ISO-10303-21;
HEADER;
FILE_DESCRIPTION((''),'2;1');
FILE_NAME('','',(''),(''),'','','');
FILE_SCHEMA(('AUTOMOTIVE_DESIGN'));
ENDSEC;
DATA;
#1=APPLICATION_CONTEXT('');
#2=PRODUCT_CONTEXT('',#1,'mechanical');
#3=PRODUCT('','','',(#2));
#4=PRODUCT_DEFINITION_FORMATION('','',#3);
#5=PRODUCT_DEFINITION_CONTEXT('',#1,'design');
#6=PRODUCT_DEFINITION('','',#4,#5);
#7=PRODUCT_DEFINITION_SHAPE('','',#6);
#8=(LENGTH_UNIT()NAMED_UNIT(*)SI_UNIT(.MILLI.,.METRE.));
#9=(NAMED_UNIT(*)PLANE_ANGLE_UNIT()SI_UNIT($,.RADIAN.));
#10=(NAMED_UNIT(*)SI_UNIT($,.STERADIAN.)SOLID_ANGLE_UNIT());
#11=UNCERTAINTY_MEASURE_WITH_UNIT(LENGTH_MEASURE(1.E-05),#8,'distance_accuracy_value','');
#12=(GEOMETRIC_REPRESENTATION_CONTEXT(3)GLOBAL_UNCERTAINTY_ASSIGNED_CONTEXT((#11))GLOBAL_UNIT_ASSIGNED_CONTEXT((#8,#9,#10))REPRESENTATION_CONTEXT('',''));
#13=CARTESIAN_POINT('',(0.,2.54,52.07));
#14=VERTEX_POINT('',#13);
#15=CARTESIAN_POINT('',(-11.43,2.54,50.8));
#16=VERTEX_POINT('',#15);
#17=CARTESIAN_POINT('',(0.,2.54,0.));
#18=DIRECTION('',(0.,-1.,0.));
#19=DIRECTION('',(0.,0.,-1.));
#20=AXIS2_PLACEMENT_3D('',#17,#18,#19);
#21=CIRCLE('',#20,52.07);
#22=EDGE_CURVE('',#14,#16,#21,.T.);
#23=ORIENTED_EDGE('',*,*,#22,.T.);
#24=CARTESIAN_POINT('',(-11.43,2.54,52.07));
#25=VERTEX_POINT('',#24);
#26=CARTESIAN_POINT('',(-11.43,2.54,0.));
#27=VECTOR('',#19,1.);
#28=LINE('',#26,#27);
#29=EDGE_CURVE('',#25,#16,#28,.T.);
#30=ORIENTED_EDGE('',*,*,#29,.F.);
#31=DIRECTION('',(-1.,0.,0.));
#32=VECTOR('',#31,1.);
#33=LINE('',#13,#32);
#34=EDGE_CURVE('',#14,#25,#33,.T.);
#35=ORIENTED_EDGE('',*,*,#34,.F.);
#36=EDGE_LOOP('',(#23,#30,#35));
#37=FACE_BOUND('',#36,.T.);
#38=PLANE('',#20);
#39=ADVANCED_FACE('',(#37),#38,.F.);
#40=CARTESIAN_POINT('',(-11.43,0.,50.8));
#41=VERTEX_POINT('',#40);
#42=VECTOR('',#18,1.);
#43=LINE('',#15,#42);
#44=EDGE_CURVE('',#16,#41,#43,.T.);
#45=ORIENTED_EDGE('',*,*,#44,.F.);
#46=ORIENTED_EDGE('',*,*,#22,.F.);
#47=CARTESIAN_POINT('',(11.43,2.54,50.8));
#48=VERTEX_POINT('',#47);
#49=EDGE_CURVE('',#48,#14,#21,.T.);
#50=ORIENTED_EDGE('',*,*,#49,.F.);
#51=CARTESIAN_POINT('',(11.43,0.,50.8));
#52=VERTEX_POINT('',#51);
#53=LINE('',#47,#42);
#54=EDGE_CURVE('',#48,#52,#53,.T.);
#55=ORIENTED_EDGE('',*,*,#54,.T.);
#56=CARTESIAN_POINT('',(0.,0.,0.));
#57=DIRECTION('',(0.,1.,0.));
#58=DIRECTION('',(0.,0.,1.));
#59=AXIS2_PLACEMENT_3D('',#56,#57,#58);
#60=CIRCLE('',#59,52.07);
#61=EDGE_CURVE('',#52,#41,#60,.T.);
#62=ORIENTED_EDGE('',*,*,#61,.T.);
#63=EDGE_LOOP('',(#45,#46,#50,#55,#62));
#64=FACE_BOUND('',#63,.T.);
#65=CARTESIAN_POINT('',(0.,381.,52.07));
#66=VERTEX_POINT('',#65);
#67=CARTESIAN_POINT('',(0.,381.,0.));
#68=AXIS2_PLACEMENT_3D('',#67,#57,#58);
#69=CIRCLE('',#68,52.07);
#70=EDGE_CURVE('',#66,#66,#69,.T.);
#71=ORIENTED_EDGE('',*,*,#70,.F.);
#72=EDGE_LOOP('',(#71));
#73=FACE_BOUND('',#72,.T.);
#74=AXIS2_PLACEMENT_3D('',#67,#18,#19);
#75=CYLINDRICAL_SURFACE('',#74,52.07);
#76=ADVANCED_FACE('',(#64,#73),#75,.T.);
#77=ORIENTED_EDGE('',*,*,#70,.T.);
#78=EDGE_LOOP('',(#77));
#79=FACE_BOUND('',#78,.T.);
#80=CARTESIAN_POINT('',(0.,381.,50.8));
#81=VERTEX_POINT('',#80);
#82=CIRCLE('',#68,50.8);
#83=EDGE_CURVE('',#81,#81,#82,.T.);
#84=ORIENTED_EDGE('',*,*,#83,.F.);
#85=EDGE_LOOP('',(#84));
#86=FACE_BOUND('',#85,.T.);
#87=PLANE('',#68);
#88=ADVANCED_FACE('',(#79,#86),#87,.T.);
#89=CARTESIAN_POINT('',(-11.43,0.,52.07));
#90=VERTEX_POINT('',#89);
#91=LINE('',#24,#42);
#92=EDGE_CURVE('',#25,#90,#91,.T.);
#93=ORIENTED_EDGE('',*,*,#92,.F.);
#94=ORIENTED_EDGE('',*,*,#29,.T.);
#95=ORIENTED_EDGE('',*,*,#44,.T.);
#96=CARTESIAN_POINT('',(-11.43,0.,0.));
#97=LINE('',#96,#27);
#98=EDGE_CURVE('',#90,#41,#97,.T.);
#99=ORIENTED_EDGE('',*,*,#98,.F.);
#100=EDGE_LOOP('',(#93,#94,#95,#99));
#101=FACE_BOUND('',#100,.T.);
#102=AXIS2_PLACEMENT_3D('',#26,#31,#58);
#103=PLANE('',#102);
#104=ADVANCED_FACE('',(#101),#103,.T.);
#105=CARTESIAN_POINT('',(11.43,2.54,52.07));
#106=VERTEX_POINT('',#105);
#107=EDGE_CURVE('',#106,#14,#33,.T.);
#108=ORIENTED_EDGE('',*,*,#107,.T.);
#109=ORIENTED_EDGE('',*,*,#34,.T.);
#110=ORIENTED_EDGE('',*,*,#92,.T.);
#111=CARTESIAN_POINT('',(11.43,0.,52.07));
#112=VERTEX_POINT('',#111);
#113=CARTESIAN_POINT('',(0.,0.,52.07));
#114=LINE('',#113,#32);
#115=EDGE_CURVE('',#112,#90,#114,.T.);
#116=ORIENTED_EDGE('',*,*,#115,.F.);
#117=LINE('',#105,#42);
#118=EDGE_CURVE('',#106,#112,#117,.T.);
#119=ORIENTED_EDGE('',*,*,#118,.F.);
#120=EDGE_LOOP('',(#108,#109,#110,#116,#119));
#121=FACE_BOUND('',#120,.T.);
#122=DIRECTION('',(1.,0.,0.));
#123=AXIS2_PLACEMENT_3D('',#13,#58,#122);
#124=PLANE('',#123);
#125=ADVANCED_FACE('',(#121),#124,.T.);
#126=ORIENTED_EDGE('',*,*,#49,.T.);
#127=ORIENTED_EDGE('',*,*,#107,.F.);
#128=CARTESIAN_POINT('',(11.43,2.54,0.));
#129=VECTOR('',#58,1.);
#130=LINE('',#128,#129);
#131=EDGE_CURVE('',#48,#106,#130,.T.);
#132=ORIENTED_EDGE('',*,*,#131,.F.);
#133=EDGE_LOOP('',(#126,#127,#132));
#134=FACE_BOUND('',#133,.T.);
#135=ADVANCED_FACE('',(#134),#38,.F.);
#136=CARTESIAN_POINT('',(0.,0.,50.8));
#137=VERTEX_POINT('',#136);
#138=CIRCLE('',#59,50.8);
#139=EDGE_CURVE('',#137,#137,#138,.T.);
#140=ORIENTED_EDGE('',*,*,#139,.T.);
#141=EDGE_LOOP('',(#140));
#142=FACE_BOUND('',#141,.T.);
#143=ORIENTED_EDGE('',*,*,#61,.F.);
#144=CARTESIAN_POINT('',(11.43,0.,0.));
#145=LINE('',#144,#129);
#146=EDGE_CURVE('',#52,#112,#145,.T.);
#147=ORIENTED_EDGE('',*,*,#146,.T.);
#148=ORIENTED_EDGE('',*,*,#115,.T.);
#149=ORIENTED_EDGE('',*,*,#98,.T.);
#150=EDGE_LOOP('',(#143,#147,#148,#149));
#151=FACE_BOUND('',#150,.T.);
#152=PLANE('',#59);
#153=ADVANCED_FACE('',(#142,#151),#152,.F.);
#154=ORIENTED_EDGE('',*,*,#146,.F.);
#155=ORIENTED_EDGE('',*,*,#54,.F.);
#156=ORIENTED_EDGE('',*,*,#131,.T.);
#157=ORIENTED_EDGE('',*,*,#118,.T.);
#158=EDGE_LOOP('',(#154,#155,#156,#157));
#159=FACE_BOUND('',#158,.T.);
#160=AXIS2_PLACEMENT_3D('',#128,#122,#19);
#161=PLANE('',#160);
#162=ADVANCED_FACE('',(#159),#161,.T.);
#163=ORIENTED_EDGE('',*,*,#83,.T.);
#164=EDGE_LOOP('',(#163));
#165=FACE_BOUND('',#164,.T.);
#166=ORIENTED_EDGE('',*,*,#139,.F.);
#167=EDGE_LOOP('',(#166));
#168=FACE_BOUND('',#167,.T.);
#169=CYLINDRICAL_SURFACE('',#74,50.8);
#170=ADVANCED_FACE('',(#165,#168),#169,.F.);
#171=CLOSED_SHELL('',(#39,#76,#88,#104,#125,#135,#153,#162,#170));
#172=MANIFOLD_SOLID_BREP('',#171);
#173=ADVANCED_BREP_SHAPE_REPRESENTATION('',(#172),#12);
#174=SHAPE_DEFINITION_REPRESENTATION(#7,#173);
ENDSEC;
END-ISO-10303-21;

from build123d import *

# Parameters (mm, degrees)
SKETCH1_R           = 52.07
SKETCH1_R_2         = 50.8
BOSS_EXTRUDE1_DEPTH = 381
BOSS_EXTRUDE2_DEPTH = 2.54


with BuildPart() as part:
    # Sketch1 → Boss-Extrude1 (new body)
    with BuildSketch(Plane(origin=(0, 0, 0), x_dir=(1, 0, 0), z_dir=(0, 1, 0))):
        Circle(SKETCH1_R)
        Circle(SKETCH1_R_2, mode=Mode.SUBTRACT)
    extrude(amount=BOSS_EXTRUDE1_DEPTH)

    # Sketch2 → Boss-Extrude2 (add)
    with BuildSketch(Plane.XZ):
        with BuildLine():
            ThreePointArc((-11.43, 50.8), (-5.750169563, 51.751526064), (0, 52.07))
            Line((0, 52.07), (-11.43, 52.07))
            Line((-11.43, 52.07), (-11.43, 50.8))
        make_face()
        with BuildLine():
            Line((11.43, 52.07), (0, 52.07))
            ThreePointArc((0, 52.07), (5.750169563, 51.751526064), (11.43, 50.8))
            Line((11.43, 50.8), (11.43, 52.07))
        make_face()
    extrude(amount=-BOSS_EXTRUDE2_DEPTH)


solid = part.part
